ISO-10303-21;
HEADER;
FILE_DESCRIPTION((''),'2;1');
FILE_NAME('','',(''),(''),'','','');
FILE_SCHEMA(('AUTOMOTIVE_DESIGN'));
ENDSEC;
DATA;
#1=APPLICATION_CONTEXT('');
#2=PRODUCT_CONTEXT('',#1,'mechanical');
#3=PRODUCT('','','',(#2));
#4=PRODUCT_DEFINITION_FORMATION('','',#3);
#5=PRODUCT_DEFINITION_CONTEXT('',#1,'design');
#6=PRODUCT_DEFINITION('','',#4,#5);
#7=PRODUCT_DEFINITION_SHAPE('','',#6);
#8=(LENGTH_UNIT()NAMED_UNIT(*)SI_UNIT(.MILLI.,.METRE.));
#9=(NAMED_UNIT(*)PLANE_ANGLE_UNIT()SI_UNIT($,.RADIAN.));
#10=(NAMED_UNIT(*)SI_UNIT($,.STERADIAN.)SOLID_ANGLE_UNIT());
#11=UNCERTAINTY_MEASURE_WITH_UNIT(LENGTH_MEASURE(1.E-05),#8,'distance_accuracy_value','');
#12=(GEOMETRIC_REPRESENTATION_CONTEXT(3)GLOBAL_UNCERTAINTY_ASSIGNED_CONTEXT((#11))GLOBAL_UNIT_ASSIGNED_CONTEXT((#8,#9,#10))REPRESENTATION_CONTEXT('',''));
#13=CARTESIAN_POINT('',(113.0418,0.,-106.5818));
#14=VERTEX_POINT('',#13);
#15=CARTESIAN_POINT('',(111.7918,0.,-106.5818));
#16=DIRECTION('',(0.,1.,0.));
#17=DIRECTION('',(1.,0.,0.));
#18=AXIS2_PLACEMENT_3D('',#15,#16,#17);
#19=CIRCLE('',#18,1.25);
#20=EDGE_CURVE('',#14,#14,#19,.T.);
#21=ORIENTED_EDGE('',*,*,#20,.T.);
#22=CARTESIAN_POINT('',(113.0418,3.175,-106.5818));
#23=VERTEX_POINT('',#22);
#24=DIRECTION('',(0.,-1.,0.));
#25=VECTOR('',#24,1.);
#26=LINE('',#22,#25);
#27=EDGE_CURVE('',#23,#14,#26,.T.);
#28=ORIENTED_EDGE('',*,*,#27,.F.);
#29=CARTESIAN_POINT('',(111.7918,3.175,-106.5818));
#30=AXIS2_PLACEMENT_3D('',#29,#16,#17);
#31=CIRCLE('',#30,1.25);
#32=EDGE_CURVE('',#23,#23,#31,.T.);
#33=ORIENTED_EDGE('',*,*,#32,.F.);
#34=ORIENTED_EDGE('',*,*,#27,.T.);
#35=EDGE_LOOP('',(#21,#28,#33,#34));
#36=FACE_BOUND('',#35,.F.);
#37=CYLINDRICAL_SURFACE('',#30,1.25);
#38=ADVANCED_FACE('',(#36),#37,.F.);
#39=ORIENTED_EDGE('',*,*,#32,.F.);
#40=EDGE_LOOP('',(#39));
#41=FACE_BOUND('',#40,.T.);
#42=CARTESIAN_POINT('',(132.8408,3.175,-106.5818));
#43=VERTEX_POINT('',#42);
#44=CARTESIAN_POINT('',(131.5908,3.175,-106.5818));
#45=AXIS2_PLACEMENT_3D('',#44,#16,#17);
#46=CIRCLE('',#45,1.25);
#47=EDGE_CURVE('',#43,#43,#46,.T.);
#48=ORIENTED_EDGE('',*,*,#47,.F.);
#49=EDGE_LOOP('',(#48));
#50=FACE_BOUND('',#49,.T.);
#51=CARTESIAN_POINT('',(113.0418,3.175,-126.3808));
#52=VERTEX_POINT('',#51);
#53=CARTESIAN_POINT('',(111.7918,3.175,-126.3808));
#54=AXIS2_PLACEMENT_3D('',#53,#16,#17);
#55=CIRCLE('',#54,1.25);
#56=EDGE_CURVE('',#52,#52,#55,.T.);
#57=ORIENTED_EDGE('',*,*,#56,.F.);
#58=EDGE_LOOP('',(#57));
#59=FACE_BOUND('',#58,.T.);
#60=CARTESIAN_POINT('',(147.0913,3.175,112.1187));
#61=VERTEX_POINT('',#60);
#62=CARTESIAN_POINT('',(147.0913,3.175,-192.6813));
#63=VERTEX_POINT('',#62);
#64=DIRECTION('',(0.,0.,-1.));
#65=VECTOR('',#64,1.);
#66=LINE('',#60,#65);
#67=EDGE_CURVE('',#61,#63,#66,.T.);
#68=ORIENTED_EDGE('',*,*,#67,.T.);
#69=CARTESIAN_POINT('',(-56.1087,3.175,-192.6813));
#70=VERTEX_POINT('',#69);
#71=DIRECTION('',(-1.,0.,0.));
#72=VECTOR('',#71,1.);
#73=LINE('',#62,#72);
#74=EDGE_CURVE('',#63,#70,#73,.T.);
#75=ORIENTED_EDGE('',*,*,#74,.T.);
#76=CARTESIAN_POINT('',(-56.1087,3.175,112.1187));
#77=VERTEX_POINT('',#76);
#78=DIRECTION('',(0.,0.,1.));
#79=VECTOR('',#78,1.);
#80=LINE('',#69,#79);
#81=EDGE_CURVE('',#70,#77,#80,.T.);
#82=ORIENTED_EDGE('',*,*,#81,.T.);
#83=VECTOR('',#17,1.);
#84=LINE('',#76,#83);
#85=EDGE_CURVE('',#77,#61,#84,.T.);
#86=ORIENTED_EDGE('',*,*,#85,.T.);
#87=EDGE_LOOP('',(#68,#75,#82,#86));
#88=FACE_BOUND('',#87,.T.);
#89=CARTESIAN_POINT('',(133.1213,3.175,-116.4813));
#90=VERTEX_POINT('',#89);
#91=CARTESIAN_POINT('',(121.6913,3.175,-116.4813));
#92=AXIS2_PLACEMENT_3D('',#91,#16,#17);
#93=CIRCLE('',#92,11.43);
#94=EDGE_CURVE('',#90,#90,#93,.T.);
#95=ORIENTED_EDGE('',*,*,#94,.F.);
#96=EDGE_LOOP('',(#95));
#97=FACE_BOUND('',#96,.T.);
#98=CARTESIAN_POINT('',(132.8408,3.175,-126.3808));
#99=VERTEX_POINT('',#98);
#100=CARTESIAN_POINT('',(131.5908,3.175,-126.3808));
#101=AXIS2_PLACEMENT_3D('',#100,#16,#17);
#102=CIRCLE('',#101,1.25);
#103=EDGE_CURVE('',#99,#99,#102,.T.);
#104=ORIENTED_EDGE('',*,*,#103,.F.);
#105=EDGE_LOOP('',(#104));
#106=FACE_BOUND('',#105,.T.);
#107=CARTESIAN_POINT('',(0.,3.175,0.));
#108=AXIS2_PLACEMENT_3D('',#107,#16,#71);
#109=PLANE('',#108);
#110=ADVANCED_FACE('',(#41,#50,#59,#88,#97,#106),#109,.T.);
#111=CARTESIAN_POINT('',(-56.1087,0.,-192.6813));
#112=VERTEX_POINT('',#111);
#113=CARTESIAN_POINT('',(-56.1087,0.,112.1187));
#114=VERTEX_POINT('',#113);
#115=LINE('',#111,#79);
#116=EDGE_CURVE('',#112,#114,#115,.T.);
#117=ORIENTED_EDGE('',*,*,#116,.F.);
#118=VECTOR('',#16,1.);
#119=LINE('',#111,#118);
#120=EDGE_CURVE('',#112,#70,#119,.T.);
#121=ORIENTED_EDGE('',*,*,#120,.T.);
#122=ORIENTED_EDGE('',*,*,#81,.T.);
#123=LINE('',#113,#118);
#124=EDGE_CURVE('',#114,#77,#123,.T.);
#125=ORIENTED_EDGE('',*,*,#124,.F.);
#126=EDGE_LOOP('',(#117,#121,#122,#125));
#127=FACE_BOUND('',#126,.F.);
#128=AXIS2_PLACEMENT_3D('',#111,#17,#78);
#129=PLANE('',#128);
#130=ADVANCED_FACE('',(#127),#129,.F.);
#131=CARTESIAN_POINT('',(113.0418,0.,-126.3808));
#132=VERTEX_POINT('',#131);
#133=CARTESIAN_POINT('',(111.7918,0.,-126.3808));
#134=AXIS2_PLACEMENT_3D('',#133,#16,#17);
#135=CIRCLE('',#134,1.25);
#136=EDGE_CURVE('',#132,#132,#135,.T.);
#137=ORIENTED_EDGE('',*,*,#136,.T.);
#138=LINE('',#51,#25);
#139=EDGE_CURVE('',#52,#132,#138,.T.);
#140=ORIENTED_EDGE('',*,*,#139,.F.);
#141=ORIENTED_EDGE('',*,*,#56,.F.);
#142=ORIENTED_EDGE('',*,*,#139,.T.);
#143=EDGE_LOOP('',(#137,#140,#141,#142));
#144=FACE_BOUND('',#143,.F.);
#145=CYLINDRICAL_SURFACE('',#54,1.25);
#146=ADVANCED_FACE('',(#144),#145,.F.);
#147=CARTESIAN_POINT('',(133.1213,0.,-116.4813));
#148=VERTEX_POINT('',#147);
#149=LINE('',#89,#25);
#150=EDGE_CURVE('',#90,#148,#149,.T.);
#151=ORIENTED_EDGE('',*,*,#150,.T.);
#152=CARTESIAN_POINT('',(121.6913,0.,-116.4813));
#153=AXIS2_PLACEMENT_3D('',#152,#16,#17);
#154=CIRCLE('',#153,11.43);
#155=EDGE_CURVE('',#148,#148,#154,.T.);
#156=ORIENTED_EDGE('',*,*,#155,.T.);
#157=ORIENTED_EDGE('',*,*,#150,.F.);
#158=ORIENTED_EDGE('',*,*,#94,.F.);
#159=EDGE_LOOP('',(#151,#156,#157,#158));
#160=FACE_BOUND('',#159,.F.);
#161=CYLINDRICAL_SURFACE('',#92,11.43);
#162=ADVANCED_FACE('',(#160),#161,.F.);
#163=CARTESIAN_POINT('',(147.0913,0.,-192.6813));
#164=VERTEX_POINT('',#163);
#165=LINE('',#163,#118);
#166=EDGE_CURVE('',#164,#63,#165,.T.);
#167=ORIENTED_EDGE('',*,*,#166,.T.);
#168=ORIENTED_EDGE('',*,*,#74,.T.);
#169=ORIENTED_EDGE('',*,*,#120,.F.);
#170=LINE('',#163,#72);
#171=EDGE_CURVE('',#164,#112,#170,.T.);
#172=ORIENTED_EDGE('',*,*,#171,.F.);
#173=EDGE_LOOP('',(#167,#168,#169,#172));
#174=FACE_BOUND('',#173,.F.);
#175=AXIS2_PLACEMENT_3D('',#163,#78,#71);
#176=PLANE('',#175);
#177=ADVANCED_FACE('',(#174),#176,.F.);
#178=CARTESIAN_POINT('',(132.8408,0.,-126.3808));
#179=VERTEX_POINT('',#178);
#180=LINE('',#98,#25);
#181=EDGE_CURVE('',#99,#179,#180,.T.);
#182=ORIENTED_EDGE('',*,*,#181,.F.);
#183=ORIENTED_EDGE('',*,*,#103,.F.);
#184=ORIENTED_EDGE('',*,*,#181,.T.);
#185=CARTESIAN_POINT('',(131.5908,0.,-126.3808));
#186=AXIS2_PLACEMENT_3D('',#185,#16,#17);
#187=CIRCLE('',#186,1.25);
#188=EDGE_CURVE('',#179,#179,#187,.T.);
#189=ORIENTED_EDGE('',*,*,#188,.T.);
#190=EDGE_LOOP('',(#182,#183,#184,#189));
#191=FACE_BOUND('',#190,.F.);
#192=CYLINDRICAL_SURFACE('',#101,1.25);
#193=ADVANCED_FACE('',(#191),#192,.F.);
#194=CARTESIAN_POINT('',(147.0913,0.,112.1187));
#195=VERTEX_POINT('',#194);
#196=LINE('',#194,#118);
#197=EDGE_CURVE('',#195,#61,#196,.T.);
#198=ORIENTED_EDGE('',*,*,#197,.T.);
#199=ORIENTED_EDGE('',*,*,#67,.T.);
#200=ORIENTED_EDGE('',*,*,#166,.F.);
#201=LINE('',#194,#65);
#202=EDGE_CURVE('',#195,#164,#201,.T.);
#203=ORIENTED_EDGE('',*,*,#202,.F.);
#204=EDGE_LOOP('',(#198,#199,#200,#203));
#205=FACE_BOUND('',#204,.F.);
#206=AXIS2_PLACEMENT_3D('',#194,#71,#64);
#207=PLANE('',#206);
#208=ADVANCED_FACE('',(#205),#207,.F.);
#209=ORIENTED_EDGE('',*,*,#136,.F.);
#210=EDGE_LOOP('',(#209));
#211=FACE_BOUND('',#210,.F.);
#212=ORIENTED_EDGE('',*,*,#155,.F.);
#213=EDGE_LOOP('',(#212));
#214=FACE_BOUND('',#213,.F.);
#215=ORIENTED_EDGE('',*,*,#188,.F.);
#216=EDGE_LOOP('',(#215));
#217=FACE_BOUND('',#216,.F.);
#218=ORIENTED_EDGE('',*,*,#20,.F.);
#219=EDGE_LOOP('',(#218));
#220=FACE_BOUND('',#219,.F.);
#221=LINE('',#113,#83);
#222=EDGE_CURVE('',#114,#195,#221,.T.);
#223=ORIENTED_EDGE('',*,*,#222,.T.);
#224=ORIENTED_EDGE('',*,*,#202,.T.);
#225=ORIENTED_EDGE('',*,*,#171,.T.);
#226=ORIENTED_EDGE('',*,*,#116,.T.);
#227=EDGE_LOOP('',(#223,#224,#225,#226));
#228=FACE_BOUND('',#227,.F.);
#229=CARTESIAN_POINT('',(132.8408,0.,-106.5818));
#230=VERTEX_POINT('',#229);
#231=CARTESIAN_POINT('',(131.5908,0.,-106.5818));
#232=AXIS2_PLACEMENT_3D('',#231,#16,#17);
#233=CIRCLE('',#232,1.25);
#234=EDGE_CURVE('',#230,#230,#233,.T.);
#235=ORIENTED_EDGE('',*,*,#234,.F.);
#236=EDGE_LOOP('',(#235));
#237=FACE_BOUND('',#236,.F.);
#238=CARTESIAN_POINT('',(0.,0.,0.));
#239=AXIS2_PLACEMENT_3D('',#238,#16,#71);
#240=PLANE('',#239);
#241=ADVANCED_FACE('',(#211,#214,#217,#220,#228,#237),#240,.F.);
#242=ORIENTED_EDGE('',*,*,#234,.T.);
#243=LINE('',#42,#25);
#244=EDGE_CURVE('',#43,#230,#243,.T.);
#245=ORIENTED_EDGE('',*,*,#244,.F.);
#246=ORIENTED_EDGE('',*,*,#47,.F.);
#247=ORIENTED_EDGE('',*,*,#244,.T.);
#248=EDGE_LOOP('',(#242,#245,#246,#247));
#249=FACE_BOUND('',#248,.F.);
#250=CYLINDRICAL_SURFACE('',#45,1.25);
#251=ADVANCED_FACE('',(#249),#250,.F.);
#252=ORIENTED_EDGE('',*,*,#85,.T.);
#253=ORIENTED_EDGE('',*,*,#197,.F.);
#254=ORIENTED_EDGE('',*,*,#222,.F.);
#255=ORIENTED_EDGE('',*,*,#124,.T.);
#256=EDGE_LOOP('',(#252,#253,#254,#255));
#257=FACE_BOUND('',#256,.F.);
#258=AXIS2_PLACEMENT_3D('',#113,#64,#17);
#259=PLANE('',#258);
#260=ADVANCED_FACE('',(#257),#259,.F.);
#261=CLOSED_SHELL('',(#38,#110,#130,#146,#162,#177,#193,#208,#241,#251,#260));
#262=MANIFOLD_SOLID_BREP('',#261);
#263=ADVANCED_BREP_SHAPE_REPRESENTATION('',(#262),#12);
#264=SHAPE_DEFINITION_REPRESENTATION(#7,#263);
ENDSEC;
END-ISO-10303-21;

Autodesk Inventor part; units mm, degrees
ref_plane "YZ Plane" through (0, 0, 0) normal (1, 0, 0) x (0, 1, 0)
ref_plane "XZ Plane" through (0, 0, 0) normal (0, 1, 0) x (-1, 0, 0)
ref_plane "XY Plane" through (0, 0, 0) normal (0, 0, 1) x (1, 0, 0)
sketch "Sketch1" plane through (0, 0, 0) normal (0, 1, 0) x (-1, 0, 0)
  line L0 (56.1087, 112.1187) -> (-147.0913, 112.1187)
  line L1 (-147.0913, 112.1187) -> (-147.0913, -192.6813)
  line L2 (-147.0913, -192.6813) -> (56.1087, -192.6813)
  line L3 (56.1087, -192.6813) -> (56.1087, 112.1187)
  point P0 (0, 0)
  dimension "d2" = 304.8
  dimension "d3" = 203.2
extrude "Extrusion1" add sketch "Sketch1" along normal blind 3.175
sketch "Sketch2" plane through (0, 3.175, 0) normal (0, 1, 0) x (1, 0, 0)
  circle A0 centre (121.6913, 116.4813) radius 11.43
  line L0 (147.0913, 192.6813) -> (-56.1087, 192.6813) projected
  line L1 (-56.1087, 192.6813) -> (-56.1087, -112.1187) projected
  circle A1 centre (131.5908, 106.5818) radius 1.25 projected
  circle A2 centre (131.5908, 126.3808) radius 1.25 projected
  circle A3 centre (111.7918, 106.5818) radius 1.25 projected
  circle A4 centre (111.7918, 126.3808) radius 1.25 projected
  point P0 (0, 0)
  dimension "d4" = 22.86
  dimension "d5" = 76.2
  dimension "d6" = 177.8
extrude "Extrusion2" cut sketch "Sketch2" against normal blind 25.4
properties part number "ramp"
